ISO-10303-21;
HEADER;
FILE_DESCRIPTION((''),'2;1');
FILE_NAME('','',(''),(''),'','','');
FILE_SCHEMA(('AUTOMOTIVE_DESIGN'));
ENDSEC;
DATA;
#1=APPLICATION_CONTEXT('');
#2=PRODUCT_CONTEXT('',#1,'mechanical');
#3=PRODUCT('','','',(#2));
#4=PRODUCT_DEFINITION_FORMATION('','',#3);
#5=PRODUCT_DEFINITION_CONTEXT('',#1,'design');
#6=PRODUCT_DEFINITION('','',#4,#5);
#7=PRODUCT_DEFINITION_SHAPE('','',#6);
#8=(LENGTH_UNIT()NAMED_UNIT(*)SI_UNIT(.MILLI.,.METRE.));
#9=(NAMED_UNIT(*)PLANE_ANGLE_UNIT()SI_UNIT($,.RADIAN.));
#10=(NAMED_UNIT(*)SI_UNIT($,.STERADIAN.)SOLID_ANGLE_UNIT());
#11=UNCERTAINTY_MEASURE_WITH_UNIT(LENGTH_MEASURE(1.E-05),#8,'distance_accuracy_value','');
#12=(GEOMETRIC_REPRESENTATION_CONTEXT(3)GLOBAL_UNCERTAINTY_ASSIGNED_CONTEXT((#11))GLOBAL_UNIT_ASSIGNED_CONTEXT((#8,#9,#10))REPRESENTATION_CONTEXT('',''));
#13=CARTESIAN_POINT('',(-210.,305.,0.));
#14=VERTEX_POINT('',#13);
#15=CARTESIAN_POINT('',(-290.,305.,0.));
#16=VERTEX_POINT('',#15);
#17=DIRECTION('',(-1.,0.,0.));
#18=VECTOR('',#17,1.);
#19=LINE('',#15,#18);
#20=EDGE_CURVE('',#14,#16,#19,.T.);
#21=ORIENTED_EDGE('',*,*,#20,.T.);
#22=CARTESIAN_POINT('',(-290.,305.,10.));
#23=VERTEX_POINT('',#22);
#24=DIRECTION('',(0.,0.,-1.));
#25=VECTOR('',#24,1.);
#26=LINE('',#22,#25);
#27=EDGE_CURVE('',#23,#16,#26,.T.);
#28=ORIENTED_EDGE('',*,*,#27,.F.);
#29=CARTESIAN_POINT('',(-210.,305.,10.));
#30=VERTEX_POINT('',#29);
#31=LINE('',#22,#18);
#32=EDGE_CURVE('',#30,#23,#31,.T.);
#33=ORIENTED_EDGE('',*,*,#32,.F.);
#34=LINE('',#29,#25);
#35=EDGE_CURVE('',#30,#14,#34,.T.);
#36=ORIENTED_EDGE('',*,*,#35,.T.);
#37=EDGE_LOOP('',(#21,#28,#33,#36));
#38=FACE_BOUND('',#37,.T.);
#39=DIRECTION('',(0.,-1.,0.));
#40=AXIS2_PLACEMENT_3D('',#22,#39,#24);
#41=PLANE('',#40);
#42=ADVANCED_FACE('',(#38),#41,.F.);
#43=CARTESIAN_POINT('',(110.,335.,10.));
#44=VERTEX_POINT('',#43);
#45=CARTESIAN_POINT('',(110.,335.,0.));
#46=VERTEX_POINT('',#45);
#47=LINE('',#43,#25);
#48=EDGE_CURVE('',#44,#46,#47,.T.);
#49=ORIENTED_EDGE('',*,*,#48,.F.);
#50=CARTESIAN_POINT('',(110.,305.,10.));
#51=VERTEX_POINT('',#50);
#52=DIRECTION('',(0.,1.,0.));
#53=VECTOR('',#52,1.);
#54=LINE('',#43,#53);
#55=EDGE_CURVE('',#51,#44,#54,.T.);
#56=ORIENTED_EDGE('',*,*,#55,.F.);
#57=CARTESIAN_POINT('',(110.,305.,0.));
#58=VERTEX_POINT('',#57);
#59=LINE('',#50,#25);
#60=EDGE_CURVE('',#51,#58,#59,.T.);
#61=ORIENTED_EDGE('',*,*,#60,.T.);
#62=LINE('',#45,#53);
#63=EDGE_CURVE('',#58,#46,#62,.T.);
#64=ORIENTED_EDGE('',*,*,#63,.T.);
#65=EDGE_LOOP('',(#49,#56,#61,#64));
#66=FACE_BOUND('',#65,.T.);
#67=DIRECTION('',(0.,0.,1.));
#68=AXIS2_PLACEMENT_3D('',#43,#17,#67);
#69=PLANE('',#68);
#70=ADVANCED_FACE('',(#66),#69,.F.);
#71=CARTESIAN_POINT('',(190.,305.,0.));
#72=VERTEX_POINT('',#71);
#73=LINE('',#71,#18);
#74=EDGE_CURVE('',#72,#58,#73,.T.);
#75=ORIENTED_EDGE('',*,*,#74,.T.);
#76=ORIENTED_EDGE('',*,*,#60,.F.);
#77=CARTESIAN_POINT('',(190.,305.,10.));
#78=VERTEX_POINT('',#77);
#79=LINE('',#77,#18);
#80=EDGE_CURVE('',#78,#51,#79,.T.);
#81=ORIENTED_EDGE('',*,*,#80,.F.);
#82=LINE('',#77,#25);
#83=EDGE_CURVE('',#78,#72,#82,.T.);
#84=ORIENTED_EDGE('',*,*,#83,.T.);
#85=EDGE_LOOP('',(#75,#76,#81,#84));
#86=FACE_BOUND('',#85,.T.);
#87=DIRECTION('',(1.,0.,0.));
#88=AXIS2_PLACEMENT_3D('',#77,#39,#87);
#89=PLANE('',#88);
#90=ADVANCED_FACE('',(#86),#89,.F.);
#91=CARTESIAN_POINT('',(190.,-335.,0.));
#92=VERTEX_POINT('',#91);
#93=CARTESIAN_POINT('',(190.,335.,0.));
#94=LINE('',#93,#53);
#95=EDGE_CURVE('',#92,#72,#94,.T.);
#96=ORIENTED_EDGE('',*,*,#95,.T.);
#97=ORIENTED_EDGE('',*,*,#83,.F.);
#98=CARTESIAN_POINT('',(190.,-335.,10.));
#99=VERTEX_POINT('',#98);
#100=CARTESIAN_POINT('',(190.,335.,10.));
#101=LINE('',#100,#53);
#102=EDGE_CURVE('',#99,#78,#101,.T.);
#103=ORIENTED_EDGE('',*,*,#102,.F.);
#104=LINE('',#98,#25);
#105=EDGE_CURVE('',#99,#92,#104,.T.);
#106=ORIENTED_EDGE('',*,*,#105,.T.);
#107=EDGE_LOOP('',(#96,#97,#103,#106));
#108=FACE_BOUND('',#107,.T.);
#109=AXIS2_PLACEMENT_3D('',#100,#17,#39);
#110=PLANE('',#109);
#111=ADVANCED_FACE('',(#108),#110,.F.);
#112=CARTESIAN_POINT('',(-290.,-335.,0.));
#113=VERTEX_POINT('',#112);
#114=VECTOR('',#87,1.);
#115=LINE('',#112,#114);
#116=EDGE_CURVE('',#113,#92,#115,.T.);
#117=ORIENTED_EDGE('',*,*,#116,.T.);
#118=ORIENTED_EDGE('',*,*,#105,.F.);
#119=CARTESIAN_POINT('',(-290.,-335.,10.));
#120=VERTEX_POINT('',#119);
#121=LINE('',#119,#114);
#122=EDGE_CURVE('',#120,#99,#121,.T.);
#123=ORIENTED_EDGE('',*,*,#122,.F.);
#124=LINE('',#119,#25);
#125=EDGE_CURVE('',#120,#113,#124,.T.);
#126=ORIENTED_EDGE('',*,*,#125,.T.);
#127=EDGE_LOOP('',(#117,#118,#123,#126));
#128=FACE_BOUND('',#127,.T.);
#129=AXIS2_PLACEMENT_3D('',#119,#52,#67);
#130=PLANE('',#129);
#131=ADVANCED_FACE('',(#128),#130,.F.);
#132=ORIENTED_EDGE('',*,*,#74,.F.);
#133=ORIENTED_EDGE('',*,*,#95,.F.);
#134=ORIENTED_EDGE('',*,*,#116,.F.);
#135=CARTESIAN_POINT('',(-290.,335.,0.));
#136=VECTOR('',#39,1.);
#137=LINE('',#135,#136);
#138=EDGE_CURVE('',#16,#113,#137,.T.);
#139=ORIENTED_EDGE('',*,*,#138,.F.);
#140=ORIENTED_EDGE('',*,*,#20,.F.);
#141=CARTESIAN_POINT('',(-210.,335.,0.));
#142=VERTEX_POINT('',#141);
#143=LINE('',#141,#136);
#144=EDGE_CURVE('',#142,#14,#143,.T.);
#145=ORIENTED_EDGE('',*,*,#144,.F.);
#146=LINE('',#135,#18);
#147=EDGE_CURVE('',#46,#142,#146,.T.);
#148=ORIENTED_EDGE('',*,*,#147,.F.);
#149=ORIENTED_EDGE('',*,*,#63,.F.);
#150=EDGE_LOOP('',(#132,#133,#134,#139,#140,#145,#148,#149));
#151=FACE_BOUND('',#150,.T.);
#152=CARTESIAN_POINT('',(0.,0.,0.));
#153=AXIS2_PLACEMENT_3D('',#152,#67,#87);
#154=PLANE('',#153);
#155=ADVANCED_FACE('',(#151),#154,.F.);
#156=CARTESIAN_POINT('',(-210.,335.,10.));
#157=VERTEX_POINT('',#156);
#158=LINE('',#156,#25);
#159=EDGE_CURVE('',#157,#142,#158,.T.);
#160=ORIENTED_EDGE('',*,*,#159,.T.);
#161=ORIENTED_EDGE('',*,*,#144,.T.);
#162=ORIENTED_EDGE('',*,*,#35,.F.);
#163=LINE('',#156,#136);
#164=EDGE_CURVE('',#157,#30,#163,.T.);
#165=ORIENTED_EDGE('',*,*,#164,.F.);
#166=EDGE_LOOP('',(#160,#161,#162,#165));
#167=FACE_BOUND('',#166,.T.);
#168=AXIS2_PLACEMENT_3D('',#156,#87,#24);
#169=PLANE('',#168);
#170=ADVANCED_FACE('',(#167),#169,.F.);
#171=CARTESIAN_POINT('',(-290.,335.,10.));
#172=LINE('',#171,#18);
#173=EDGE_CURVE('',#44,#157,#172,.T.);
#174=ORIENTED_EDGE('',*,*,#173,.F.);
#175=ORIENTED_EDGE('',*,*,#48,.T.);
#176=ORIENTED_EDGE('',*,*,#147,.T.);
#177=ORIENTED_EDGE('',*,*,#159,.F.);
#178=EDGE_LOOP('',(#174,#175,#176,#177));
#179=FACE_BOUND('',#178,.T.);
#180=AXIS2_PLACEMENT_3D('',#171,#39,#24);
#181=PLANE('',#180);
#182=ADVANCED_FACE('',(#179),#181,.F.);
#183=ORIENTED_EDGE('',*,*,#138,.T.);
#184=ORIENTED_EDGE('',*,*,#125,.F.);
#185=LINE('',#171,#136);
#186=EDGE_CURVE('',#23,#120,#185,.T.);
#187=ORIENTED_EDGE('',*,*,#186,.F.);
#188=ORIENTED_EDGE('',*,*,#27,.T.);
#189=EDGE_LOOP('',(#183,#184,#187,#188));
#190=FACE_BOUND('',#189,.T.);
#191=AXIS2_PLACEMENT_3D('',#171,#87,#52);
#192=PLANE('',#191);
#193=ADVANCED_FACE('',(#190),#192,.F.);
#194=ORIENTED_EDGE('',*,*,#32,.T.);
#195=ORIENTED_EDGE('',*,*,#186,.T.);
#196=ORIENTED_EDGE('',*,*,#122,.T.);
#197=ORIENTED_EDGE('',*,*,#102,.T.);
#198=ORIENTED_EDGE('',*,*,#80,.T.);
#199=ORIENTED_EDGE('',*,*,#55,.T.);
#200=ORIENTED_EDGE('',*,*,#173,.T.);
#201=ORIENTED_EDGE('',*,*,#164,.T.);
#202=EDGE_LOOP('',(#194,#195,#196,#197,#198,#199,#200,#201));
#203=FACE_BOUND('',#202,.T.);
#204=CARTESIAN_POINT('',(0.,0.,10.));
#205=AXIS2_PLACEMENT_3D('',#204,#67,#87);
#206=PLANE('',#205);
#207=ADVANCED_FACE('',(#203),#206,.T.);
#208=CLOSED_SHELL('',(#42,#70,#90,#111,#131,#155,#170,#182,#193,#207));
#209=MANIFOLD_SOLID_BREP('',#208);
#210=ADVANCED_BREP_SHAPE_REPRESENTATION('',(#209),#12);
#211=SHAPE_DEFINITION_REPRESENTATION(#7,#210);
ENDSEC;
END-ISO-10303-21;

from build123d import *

# Parameters (mm, degrees)
ESQUISSE1_W             = 480
ESQUISSE1_H             = 670
BOSS_EXTRU_1_DEPTH      = 10
ESQUISSE2_W             = 80
ESQUISSE2_H             = 30
ENL_V_MAT_EXTRU_1_DEPTH = 11


with BuildPart() as part:
    # Esquisse1 → Boss.-Extru.1 (new body)
    with BuildSketch(Plane.XY):
        with Locations((-50, 0)):
            Rectangle(ESQUISSE1_W, ESQUISSE1_H)
    extrude(amount=BOSS_EXTRU_1_DEPTH)

    # Esquisse2 → Enlèv. mat.-Extru.1 (cut, through all)
    with BuildSketch(Plane(origin=(0, 0, 0), x_dir=(-1, 0, 0), z_dir=(0, 0, -1))):
        with Locations((-150, 320)):
            Rectangle(ESQUISSE2_W, ESQUISSE2_H)
        with Locations((250, 320)):
            Rectangle(ESQUISSE2_W, ESQUISSE2_H)
    extrude(amount=-ENL_V_MAT_EXTRU_1_DEPTH, mode=Mode.SUBTRACT)


solid = part.part
